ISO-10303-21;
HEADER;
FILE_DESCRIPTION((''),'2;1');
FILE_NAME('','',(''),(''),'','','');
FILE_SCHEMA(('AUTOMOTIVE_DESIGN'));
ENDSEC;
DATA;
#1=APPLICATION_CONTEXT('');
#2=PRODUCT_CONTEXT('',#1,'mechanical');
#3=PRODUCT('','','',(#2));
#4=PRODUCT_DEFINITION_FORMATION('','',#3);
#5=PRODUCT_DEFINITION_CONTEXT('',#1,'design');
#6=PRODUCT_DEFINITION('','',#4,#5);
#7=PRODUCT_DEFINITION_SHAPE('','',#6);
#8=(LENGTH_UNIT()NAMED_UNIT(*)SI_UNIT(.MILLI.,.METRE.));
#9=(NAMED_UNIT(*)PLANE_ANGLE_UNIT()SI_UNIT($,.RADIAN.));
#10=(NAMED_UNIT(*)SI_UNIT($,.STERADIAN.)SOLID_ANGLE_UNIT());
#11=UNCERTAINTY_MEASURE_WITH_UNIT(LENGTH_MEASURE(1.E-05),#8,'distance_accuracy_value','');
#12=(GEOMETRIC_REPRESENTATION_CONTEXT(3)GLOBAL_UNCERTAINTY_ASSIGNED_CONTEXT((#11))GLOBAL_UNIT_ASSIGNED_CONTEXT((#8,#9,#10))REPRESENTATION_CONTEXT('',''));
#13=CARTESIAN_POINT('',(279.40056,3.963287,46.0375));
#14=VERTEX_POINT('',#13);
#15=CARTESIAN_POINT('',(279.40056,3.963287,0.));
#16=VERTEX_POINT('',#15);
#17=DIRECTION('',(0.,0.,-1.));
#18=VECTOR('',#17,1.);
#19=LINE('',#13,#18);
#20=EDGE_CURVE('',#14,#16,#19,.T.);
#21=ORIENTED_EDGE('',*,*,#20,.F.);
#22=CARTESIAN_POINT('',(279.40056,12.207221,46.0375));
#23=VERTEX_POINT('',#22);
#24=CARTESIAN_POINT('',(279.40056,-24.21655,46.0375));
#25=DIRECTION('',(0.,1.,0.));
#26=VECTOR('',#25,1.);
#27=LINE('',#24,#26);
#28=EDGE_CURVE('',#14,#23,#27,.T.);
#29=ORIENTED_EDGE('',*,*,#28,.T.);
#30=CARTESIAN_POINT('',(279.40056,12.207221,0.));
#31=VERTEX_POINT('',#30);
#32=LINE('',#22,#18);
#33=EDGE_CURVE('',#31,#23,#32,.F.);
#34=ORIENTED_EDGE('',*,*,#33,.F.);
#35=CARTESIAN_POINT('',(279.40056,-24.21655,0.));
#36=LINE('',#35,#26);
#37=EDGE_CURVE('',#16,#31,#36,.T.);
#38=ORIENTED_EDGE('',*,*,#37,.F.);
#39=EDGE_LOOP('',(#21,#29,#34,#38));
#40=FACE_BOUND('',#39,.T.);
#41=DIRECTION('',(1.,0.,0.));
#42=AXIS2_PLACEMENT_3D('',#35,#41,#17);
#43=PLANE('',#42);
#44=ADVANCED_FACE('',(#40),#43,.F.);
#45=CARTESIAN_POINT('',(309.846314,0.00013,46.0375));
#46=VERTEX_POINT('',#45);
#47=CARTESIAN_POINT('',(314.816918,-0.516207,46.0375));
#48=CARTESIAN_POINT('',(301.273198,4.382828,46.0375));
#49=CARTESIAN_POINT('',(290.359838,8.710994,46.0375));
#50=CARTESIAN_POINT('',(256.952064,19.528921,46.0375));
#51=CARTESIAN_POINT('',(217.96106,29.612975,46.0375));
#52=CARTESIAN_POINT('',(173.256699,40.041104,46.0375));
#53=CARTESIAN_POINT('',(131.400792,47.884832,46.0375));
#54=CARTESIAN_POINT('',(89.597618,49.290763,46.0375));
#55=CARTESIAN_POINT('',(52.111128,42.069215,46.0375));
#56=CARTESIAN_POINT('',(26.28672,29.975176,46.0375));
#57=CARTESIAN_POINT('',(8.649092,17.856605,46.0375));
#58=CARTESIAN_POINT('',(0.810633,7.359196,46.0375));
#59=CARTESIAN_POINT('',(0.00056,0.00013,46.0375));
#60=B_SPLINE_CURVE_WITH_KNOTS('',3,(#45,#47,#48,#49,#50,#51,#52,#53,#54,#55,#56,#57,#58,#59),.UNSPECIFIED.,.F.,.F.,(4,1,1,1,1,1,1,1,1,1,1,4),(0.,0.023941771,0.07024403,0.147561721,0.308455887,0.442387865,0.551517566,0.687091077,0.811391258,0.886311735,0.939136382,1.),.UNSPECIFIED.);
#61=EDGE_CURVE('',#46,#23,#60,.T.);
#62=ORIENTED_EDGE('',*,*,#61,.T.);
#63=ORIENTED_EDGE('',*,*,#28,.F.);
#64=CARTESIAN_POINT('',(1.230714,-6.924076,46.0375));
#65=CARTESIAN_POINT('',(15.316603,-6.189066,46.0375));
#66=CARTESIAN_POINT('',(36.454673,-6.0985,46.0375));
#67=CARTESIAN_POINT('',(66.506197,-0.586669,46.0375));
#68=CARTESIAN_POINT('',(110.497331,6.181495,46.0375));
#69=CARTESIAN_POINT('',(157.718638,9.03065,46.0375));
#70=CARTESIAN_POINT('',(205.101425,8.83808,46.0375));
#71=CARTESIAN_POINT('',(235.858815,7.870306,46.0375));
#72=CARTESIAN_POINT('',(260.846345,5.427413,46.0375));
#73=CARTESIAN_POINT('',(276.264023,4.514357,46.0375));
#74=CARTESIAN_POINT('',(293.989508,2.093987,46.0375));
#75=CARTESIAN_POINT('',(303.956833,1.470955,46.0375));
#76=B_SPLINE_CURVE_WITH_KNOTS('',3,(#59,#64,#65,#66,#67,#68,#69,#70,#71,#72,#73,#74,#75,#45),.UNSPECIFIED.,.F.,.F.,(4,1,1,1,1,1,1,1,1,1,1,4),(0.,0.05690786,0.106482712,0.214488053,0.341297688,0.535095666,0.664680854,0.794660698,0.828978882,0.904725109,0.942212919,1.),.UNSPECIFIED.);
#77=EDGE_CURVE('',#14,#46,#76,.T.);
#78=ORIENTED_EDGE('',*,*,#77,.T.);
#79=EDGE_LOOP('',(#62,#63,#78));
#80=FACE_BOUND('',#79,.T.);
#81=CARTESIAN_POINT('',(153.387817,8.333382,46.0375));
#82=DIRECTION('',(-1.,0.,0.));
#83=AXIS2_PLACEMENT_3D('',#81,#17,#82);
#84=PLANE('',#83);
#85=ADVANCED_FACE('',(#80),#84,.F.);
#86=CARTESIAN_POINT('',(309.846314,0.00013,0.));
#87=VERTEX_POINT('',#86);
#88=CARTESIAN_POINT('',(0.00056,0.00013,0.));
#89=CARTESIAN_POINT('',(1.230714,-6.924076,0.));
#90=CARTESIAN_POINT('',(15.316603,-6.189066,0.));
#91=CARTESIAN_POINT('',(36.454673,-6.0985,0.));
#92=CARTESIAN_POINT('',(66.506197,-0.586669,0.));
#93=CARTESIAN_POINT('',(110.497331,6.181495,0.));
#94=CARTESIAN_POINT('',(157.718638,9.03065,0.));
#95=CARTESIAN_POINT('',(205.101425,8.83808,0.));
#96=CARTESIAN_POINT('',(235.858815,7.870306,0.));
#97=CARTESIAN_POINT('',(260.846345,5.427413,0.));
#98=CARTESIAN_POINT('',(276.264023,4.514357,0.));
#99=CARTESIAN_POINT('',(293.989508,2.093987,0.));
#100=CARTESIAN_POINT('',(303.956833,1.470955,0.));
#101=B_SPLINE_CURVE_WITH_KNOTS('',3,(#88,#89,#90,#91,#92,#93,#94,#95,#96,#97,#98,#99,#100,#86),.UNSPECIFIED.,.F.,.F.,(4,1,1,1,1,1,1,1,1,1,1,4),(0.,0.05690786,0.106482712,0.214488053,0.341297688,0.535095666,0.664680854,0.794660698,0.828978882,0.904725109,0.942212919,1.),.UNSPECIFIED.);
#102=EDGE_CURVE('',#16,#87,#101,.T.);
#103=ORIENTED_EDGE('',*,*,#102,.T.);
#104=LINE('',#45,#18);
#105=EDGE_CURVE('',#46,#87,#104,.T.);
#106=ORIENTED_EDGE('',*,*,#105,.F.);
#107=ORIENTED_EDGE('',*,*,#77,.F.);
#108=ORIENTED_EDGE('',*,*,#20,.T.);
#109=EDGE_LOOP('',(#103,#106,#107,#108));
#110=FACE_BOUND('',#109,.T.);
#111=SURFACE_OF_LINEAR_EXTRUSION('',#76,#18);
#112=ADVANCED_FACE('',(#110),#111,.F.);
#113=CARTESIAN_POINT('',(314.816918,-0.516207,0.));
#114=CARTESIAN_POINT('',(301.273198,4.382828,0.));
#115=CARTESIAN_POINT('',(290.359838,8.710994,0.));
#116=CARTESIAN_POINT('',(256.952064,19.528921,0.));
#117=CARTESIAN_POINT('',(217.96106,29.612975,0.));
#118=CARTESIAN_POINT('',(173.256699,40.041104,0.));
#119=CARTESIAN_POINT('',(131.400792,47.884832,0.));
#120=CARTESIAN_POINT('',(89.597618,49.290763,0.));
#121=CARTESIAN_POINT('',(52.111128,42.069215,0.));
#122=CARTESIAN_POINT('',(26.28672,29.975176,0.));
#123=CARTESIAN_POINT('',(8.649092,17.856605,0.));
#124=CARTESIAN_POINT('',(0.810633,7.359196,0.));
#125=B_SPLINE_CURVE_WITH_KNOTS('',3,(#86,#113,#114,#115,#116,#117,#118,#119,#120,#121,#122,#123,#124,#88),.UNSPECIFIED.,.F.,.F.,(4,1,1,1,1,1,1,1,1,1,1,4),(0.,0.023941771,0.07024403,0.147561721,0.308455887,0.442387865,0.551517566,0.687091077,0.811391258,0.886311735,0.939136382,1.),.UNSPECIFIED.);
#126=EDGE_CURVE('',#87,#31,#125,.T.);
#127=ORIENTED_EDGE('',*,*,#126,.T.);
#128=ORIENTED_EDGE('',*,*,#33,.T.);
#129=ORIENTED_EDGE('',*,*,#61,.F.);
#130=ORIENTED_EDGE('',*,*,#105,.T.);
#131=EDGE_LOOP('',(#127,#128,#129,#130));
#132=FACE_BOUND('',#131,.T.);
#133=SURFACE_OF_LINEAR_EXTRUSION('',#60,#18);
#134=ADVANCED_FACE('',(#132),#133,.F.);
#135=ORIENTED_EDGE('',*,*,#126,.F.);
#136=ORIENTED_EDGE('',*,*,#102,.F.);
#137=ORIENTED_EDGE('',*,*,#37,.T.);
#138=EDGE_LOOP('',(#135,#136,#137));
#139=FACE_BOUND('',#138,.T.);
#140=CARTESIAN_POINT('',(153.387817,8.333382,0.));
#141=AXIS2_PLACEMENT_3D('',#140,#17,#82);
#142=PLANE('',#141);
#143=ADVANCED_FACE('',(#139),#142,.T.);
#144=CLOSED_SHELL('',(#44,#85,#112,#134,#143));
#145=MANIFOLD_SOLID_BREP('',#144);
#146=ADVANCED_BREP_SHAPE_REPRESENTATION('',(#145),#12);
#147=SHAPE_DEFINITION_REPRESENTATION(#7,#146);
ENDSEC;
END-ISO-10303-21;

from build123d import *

# Parameters (mm, degrees)
BOSS_EXTRUDE1_DEPTH = 46.0375
SKETCH2_R           = 6.35
SKETCH2_R_2         = 3.175
CUT_EXTRUDE1_DEPTH  = 320.066790275
SKETCH4_W           = 288.963808296
SKETCH4_H           = 117.489254048
CUT_EXTRUDE3_DEPTH  = 320.066790275


with BuildPart() as part:
    # Sketch1 → Boss-Extrude1 (new body)
    with BuildSketch(Plane.XY):
        with BuildLine():
            add(Edge.make_bspline(
                [(0.000560351, 0.000130087), (0.810633127, 7.359196055), (8.649092025, 17.856605174), (26.286719818, 29.975176328), (52.111128271, 42.069215275), (89.597618475, 49.290763054), (131.400792109, 47.884831915), (173.256699242, 40.041104278), (217.961060472, 29.612974894), (256.952064401, 19.528920948), (290.35983767, 8.71099439), (301.273197721, 4.382828139), (314.816918223, -0.516206742), (309.846313895, 0.000130087)],
                knots=[0, 0, 0, 0, 0.060863618, 0.113688265, 0.188608742, 0.312908923, 0.448482434, 0.557612135, 0.691544113, 0.852438279, 0.92975597, 0.976058229, 1, 1, 1, 1], degree=3))
            add(Edge.make_bspline(
                [(309.846313895, 0.000130087), (303.956832565, 1.47095521), (293.989507544, 2.093987313), (276.26402299, 4.514356704), (260.846344817, 5.427413394), (235.858814759, 7.870306192), (205.101424636, 8.838080282), (157.718638092, 9.030650149), (110.497331172, 6.181495223), (66.506197185, -0.586669107), (36.454672816, -6.098499901), (15.316603331, -6.189065841), (1.230714189, -6.924076091), (0.000560351, 0.000130087)],
                knots=[0, 0, 0, 0, 0.057787081, 0.095274891, 0.171021118, 0.205339302, 0.335319146, 0.464904334, 0.658702312, 0.785511947, 0.893517288, 0.94309214, 1, 1, 1, 1], degree=3))
        make_face()
    extrude(amount=BOSS_EXTRUDE1_DEPTH)

    # Sketch2 → Cut-Extrude1 (cut, through all)
    with BuildSketch(Plane.XY.offset(46.0375)):
        with Locations((20.32, 10.16)):
            Circle(SKETCH2_R)
        with Locations((227.296313895, 19.050130087)):
            Circle(SKETCH2_R_2)
    extrude(amount=-CUT_EXTRUDE1_DEPTH, mode=Mode.SUBTRACT)

    # Sketch4 → Cut-Extrude3 (cut, through all)
    with BuildSketch(Plane.XY.offset(46.0375)):
        with Locations((134.918656203, 34.528076629)):
            Rectangle(SKETCH4_W, SKETCH4_H)
    extrude(amount=-CUT_EXTRUDE3_DEPTH, mode=Mode.SUBTRACT)


solid = part.part
